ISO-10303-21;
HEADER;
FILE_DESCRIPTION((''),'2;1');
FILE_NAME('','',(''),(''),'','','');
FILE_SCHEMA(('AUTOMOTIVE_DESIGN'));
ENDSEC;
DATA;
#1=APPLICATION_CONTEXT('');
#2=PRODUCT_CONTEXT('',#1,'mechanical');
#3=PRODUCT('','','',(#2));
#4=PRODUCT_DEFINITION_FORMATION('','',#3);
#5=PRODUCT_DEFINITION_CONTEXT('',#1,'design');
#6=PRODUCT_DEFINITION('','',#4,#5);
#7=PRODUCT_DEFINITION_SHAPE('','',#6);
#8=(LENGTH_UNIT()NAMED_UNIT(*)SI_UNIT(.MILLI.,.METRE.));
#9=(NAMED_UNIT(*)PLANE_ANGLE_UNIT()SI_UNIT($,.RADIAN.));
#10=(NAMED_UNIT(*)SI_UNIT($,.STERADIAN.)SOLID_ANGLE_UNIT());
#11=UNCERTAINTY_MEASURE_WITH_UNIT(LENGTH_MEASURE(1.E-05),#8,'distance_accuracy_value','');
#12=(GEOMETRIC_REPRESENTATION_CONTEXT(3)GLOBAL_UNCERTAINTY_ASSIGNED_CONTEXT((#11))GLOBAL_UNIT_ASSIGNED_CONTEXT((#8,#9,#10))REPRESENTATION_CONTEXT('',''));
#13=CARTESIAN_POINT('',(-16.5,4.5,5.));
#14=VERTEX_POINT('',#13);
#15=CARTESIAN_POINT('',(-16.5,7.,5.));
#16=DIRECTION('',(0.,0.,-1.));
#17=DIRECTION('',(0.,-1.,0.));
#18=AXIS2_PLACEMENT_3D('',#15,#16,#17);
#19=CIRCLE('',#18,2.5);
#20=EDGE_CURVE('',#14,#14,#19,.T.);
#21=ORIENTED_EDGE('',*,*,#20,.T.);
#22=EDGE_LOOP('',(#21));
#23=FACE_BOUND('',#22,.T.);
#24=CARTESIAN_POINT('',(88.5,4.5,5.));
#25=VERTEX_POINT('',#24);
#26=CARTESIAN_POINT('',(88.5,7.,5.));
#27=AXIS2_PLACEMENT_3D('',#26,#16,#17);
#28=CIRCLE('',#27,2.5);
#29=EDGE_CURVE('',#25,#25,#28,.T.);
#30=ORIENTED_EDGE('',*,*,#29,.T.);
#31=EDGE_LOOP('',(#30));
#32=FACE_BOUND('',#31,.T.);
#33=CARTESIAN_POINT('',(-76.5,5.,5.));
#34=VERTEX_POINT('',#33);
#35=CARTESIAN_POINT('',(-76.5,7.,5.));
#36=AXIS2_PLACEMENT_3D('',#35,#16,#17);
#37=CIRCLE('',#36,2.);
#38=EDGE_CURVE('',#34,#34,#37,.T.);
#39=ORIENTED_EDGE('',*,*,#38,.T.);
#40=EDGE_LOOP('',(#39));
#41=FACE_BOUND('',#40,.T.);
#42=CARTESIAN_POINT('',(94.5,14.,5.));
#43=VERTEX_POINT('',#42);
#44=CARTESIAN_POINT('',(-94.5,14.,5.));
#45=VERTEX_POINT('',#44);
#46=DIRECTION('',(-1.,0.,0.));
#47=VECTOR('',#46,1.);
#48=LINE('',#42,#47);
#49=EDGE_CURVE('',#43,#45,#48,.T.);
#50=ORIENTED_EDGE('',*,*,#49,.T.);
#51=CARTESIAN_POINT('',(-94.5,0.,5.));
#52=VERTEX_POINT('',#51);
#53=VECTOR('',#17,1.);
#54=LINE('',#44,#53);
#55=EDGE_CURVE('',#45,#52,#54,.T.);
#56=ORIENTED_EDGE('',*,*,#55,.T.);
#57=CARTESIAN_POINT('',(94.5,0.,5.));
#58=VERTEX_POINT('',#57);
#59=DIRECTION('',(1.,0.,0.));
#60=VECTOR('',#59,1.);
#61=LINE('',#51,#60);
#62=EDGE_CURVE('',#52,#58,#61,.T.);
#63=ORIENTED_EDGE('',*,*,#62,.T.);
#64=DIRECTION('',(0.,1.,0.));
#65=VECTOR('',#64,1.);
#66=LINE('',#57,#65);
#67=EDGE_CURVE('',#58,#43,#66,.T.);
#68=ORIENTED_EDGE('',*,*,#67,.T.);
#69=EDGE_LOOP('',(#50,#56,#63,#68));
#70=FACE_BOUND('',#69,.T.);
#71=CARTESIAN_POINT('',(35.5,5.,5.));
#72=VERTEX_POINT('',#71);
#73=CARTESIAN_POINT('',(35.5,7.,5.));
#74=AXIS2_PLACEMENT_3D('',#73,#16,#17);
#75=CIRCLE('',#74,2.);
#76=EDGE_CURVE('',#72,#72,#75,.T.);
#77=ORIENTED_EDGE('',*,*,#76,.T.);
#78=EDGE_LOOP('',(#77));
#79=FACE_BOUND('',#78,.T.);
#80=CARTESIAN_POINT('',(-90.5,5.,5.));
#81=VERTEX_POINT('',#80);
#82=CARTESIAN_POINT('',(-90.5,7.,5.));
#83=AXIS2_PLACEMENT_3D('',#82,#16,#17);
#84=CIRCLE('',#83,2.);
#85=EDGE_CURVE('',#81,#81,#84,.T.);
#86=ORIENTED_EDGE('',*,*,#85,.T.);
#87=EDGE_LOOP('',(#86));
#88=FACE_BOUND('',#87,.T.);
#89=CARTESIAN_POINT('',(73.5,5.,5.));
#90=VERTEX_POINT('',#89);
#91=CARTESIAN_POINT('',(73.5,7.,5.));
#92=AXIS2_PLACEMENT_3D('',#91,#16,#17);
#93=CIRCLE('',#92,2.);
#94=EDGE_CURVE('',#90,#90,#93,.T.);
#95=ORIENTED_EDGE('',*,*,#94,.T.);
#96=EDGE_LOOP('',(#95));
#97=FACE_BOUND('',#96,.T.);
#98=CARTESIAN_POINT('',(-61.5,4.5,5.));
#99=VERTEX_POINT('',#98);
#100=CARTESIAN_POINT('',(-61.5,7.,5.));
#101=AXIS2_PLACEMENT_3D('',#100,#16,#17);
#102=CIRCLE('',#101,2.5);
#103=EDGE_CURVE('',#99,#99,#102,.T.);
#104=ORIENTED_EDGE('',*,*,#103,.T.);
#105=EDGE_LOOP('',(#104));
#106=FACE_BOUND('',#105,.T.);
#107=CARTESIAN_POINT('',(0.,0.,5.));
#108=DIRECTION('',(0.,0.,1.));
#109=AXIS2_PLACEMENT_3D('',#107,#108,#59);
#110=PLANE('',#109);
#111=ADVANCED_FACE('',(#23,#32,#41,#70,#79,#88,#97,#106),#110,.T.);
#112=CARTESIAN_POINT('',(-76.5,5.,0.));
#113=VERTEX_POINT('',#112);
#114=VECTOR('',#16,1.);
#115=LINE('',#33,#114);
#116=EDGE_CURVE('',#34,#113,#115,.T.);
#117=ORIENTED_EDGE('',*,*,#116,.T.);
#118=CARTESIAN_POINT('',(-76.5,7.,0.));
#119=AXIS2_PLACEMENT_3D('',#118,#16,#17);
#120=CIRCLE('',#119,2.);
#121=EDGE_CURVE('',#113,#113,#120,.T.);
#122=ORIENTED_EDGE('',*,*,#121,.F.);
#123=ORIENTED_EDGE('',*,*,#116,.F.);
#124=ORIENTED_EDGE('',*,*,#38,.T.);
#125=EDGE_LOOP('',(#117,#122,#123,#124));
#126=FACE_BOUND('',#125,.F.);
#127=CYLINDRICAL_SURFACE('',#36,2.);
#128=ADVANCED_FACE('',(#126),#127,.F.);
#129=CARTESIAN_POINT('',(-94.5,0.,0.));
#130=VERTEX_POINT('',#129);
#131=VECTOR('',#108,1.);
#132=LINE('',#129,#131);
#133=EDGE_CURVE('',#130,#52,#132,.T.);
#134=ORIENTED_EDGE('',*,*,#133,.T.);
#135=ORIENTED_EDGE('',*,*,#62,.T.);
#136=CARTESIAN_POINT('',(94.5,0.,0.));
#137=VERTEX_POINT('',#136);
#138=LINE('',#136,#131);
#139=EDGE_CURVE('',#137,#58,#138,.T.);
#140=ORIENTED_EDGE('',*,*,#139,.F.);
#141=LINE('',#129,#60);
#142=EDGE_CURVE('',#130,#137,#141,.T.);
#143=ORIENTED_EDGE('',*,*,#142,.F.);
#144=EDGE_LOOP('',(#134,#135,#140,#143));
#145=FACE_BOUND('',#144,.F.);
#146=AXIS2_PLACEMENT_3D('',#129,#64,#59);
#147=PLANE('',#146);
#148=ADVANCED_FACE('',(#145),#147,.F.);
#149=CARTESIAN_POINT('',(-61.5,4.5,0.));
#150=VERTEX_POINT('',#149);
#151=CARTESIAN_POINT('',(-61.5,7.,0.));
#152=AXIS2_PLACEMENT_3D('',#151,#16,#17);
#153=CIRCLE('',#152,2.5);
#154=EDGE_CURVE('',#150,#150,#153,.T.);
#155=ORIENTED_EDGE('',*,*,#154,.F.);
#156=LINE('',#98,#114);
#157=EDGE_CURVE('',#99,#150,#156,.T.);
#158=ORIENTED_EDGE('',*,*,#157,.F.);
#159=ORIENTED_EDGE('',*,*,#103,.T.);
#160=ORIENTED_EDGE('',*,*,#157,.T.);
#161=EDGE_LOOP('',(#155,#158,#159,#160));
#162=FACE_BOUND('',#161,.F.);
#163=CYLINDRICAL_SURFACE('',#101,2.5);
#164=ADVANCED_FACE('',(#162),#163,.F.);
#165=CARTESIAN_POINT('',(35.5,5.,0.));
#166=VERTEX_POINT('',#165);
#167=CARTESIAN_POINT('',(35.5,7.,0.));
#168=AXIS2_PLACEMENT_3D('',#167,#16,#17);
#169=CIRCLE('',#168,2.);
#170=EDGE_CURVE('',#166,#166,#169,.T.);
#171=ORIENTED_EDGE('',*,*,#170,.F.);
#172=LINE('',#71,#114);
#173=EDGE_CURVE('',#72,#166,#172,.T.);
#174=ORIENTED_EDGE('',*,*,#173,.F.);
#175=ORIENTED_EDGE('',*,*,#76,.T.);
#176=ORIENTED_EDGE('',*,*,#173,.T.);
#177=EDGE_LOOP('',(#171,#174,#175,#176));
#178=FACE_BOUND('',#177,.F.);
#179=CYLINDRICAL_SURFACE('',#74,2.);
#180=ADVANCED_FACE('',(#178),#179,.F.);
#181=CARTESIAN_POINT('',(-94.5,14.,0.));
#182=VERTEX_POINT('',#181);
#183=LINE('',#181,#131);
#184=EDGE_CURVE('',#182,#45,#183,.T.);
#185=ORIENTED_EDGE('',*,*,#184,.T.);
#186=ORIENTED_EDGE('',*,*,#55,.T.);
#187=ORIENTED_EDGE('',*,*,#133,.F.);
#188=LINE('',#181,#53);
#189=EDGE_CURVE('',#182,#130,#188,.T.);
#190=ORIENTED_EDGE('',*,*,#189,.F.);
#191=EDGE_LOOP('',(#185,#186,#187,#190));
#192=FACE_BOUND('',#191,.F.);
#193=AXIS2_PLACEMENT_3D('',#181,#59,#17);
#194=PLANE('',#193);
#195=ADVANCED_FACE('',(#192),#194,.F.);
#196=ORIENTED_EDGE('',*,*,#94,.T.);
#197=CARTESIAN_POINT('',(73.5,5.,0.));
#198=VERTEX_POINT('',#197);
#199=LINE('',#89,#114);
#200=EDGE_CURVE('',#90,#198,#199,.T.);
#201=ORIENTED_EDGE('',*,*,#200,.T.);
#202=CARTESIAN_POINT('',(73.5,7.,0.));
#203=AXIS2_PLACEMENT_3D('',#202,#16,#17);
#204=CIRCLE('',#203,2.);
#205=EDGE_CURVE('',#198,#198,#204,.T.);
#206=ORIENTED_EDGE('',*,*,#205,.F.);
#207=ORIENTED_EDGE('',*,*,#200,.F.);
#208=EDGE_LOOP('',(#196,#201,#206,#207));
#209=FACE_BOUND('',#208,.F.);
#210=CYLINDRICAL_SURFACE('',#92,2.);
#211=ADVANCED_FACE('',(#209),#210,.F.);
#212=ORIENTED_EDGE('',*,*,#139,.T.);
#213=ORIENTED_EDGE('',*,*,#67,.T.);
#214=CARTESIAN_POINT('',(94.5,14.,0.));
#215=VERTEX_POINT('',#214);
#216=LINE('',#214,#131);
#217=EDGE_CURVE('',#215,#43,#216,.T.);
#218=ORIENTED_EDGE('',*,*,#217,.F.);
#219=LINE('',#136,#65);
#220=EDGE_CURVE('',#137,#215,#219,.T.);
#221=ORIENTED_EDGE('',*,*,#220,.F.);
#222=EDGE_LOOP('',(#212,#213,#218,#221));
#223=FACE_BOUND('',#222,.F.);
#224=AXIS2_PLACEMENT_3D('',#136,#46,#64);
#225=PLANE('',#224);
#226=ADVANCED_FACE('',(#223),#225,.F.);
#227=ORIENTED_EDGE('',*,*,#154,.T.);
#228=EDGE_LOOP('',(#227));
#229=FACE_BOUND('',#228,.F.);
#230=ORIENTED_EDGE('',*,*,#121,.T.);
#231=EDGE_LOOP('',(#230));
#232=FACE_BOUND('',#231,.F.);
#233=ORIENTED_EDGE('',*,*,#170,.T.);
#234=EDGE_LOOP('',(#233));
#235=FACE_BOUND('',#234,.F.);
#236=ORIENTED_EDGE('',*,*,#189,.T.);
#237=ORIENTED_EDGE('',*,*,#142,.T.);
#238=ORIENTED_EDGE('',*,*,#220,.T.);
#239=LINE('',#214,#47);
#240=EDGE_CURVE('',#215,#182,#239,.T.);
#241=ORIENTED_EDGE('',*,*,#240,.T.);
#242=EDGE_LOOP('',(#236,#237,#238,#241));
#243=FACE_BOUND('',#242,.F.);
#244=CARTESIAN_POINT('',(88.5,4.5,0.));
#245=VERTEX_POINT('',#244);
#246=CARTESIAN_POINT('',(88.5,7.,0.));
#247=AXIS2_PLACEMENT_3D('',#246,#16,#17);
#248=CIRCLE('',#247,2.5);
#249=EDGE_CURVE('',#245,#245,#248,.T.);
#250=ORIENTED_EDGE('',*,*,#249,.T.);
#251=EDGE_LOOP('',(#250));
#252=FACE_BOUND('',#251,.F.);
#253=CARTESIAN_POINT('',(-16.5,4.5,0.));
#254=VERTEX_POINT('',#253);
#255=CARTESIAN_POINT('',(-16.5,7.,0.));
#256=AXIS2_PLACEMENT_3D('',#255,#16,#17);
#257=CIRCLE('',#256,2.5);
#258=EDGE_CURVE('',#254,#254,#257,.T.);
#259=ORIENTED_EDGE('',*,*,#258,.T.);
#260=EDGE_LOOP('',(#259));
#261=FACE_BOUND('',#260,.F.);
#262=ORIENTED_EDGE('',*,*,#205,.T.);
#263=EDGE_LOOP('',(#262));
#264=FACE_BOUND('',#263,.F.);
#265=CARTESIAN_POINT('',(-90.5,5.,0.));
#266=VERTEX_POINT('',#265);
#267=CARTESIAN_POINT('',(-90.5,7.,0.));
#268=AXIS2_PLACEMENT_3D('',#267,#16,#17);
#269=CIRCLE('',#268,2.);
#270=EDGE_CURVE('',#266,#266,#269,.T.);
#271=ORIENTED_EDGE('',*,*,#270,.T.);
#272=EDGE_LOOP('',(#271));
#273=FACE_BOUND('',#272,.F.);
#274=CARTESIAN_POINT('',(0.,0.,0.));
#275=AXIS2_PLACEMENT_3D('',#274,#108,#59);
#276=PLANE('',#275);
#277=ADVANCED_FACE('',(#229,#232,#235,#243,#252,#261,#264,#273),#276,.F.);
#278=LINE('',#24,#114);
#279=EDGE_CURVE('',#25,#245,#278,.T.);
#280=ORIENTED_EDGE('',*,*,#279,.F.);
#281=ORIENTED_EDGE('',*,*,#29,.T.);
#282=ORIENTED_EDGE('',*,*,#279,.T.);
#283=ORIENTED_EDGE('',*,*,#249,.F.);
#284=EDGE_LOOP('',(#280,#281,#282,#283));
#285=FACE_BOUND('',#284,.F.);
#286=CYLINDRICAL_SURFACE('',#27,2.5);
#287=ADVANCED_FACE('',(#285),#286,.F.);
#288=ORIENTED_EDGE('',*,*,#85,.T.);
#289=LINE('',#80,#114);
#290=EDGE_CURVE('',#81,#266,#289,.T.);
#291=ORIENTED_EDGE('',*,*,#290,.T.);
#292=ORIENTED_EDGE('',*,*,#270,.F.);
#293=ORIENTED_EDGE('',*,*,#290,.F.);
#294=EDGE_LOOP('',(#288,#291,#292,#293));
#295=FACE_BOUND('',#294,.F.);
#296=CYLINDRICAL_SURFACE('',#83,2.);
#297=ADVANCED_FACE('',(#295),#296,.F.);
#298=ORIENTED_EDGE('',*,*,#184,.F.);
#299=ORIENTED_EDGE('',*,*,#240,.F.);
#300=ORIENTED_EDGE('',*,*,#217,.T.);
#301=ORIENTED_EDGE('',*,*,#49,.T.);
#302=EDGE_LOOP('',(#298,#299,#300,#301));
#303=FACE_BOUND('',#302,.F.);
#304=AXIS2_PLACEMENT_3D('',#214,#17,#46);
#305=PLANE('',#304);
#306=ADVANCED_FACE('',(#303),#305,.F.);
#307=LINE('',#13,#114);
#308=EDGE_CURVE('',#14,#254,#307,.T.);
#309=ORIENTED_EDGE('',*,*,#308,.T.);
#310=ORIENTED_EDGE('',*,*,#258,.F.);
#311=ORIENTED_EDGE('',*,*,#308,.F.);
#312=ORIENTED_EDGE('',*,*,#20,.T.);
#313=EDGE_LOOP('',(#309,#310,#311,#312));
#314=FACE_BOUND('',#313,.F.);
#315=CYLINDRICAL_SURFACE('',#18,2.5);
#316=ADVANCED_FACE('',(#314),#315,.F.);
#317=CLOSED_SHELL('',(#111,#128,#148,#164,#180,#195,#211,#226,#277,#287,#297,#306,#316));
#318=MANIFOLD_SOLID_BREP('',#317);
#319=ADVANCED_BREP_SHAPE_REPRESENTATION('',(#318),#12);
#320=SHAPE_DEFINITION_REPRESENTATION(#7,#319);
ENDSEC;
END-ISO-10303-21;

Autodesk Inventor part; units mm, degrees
ref_plane "YZ Plane" through (0, 0, 0) normal (1, 0, 0) x (0, 1, 0)
ref_plane "XZ Plane" through (0, 0, 0) normal (0, 1, 0) x (-1, 0, 0)
ref_plane "XY Plane" through (0, 0, 0) normal (0, 0, 1) x (1, 0, 0)
sketch "Sketch1" plane through (0, 0, 0) normal (0, 0, 1) x (1, 0, 0)
  line L0 (-94.5, 0) -> (94.5, 0)
  line L1 (94.5, 0) -> (94.5, 14)
  line L2 (94.5, 14) -> (-94.5, 14)
  line L3 (-94.5, 14) -> (-94.5, 0)
  point P0 (0, 0)
  point P1 (0, 0)
  dimension "d0" = 14
  dimension "d1" = 189
extrude "Extrusion1" add sketch "Sketch1" along normal blind 5
sketch "Sketch2" plane through (0, 0, 5) normal (0, 0, 1) x (1, 0, 0)
  line L0 (94.5, 0) -> (94.5, 14) projected
  line L1 (-94.5, 0) -> (94.5, 0) projected
  point P0 (0, 0)
  point P1 (-61.5, 7)
  point P2 (-16.5, 7)
  point P3 (88.5, 7)
  dimension "d4" = 6
  dimension "d5" = 7
  dimension "d6" = 105
  dimension "d7" = 45
hole "Hole1" at (-61.5, 7, 5) at (-16.5, 7, 5) at (88.5, 7, 5) direction (0, 0, -1) diameter 5 depth 5
sketch "Sketch3" plane through (0, 0, 5) normal (0, 0, 1) x (1, 0, 0)
  line L0 (-94.5, 0) -> (94.5, 0) projected
  circle A0 centre (88.5, 7) radius 2.5 projected
  circle A1 centre (-61.5, 7) radius 2.5 projected
  point P0 (0, 0)
  point P1 (73.5, 7)
  point P2 (35.5, 7)
  point P3 (-76.5, 7)
  point P4 (-90.5, 7)
  dimension "d22" = 7
  dimension "d23" = 15
  dimension "d24" = 38
  dimension "d25" = 15
  dimension "d26" = 14
hole "Hole2" at (73.5, 7, 5) at (35.5, 7, 5) at (-76.5, 7, 5) at (-90.5, 7, 5) direction (0, 0, -1) diameter 4 depth 5
properties part number "144" material "Stainless Steel"
